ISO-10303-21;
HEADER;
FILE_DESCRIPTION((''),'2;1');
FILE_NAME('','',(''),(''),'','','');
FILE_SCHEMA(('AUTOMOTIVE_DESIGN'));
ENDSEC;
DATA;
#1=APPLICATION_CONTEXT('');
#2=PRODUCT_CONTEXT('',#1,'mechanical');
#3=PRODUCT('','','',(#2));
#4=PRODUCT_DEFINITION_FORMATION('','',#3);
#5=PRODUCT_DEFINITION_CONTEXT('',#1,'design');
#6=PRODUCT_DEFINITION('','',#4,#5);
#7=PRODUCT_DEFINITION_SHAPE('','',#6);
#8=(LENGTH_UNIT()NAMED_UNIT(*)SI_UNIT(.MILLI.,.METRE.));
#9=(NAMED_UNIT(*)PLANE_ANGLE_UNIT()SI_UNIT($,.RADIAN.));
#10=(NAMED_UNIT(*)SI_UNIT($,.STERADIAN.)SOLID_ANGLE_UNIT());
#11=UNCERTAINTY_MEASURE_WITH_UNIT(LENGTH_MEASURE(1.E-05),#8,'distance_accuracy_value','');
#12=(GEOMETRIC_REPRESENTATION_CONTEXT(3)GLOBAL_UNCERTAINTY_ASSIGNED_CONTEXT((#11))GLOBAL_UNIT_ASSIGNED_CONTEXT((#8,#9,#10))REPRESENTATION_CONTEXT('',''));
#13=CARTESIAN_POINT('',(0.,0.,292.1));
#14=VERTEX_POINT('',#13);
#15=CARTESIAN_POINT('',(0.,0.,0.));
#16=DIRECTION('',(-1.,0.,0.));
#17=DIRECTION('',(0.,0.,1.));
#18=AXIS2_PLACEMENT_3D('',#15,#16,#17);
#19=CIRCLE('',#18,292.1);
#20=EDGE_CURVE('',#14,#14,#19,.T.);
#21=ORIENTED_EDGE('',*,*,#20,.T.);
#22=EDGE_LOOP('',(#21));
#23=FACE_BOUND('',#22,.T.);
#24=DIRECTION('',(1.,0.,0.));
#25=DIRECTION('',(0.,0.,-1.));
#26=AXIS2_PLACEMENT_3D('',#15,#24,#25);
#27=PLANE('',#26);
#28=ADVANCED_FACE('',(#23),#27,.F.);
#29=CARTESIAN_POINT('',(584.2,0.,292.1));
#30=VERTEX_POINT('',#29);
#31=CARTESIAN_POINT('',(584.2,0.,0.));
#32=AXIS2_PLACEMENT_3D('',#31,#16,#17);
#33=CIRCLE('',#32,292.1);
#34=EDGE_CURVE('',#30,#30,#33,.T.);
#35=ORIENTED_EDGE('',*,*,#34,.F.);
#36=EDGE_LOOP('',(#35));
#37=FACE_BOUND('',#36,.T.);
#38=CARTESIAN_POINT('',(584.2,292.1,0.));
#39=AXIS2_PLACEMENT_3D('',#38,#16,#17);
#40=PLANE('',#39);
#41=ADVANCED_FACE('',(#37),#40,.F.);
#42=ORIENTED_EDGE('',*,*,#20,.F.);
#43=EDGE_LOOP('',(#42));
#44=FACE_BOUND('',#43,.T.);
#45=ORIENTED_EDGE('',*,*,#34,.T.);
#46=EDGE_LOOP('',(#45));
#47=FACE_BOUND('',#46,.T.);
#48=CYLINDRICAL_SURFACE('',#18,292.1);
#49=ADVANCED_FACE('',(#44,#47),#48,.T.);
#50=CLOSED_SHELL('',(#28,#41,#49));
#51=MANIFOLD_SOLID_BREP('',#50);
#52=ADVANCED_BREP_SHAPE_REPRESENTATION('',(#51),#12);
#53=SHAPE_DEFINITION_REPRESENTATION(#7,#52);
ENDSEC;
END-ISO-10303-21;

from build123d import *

# Parameters (mm, degrees)
SKETCH1_W = 584.2
SKETCH1_H = 292.1


with BuildPart() as part:
    # Sketch1 → Revolve1 (revolve)
    with BuildSketch(Plane.XY, mode=Mode.PRIVATE) as revolve1_sk:
        with Locations((292.1, 146.05)):
            Rectangle(SKETCH1_W, SKETCH1_H)
    revolve(revolve1_sk.sketch.rotate(Axis((0, 0, 0), (1, 0, 0)), 90), axis=Axis((0, 0, 0), (1, 0, 0)))


solid = part.part
